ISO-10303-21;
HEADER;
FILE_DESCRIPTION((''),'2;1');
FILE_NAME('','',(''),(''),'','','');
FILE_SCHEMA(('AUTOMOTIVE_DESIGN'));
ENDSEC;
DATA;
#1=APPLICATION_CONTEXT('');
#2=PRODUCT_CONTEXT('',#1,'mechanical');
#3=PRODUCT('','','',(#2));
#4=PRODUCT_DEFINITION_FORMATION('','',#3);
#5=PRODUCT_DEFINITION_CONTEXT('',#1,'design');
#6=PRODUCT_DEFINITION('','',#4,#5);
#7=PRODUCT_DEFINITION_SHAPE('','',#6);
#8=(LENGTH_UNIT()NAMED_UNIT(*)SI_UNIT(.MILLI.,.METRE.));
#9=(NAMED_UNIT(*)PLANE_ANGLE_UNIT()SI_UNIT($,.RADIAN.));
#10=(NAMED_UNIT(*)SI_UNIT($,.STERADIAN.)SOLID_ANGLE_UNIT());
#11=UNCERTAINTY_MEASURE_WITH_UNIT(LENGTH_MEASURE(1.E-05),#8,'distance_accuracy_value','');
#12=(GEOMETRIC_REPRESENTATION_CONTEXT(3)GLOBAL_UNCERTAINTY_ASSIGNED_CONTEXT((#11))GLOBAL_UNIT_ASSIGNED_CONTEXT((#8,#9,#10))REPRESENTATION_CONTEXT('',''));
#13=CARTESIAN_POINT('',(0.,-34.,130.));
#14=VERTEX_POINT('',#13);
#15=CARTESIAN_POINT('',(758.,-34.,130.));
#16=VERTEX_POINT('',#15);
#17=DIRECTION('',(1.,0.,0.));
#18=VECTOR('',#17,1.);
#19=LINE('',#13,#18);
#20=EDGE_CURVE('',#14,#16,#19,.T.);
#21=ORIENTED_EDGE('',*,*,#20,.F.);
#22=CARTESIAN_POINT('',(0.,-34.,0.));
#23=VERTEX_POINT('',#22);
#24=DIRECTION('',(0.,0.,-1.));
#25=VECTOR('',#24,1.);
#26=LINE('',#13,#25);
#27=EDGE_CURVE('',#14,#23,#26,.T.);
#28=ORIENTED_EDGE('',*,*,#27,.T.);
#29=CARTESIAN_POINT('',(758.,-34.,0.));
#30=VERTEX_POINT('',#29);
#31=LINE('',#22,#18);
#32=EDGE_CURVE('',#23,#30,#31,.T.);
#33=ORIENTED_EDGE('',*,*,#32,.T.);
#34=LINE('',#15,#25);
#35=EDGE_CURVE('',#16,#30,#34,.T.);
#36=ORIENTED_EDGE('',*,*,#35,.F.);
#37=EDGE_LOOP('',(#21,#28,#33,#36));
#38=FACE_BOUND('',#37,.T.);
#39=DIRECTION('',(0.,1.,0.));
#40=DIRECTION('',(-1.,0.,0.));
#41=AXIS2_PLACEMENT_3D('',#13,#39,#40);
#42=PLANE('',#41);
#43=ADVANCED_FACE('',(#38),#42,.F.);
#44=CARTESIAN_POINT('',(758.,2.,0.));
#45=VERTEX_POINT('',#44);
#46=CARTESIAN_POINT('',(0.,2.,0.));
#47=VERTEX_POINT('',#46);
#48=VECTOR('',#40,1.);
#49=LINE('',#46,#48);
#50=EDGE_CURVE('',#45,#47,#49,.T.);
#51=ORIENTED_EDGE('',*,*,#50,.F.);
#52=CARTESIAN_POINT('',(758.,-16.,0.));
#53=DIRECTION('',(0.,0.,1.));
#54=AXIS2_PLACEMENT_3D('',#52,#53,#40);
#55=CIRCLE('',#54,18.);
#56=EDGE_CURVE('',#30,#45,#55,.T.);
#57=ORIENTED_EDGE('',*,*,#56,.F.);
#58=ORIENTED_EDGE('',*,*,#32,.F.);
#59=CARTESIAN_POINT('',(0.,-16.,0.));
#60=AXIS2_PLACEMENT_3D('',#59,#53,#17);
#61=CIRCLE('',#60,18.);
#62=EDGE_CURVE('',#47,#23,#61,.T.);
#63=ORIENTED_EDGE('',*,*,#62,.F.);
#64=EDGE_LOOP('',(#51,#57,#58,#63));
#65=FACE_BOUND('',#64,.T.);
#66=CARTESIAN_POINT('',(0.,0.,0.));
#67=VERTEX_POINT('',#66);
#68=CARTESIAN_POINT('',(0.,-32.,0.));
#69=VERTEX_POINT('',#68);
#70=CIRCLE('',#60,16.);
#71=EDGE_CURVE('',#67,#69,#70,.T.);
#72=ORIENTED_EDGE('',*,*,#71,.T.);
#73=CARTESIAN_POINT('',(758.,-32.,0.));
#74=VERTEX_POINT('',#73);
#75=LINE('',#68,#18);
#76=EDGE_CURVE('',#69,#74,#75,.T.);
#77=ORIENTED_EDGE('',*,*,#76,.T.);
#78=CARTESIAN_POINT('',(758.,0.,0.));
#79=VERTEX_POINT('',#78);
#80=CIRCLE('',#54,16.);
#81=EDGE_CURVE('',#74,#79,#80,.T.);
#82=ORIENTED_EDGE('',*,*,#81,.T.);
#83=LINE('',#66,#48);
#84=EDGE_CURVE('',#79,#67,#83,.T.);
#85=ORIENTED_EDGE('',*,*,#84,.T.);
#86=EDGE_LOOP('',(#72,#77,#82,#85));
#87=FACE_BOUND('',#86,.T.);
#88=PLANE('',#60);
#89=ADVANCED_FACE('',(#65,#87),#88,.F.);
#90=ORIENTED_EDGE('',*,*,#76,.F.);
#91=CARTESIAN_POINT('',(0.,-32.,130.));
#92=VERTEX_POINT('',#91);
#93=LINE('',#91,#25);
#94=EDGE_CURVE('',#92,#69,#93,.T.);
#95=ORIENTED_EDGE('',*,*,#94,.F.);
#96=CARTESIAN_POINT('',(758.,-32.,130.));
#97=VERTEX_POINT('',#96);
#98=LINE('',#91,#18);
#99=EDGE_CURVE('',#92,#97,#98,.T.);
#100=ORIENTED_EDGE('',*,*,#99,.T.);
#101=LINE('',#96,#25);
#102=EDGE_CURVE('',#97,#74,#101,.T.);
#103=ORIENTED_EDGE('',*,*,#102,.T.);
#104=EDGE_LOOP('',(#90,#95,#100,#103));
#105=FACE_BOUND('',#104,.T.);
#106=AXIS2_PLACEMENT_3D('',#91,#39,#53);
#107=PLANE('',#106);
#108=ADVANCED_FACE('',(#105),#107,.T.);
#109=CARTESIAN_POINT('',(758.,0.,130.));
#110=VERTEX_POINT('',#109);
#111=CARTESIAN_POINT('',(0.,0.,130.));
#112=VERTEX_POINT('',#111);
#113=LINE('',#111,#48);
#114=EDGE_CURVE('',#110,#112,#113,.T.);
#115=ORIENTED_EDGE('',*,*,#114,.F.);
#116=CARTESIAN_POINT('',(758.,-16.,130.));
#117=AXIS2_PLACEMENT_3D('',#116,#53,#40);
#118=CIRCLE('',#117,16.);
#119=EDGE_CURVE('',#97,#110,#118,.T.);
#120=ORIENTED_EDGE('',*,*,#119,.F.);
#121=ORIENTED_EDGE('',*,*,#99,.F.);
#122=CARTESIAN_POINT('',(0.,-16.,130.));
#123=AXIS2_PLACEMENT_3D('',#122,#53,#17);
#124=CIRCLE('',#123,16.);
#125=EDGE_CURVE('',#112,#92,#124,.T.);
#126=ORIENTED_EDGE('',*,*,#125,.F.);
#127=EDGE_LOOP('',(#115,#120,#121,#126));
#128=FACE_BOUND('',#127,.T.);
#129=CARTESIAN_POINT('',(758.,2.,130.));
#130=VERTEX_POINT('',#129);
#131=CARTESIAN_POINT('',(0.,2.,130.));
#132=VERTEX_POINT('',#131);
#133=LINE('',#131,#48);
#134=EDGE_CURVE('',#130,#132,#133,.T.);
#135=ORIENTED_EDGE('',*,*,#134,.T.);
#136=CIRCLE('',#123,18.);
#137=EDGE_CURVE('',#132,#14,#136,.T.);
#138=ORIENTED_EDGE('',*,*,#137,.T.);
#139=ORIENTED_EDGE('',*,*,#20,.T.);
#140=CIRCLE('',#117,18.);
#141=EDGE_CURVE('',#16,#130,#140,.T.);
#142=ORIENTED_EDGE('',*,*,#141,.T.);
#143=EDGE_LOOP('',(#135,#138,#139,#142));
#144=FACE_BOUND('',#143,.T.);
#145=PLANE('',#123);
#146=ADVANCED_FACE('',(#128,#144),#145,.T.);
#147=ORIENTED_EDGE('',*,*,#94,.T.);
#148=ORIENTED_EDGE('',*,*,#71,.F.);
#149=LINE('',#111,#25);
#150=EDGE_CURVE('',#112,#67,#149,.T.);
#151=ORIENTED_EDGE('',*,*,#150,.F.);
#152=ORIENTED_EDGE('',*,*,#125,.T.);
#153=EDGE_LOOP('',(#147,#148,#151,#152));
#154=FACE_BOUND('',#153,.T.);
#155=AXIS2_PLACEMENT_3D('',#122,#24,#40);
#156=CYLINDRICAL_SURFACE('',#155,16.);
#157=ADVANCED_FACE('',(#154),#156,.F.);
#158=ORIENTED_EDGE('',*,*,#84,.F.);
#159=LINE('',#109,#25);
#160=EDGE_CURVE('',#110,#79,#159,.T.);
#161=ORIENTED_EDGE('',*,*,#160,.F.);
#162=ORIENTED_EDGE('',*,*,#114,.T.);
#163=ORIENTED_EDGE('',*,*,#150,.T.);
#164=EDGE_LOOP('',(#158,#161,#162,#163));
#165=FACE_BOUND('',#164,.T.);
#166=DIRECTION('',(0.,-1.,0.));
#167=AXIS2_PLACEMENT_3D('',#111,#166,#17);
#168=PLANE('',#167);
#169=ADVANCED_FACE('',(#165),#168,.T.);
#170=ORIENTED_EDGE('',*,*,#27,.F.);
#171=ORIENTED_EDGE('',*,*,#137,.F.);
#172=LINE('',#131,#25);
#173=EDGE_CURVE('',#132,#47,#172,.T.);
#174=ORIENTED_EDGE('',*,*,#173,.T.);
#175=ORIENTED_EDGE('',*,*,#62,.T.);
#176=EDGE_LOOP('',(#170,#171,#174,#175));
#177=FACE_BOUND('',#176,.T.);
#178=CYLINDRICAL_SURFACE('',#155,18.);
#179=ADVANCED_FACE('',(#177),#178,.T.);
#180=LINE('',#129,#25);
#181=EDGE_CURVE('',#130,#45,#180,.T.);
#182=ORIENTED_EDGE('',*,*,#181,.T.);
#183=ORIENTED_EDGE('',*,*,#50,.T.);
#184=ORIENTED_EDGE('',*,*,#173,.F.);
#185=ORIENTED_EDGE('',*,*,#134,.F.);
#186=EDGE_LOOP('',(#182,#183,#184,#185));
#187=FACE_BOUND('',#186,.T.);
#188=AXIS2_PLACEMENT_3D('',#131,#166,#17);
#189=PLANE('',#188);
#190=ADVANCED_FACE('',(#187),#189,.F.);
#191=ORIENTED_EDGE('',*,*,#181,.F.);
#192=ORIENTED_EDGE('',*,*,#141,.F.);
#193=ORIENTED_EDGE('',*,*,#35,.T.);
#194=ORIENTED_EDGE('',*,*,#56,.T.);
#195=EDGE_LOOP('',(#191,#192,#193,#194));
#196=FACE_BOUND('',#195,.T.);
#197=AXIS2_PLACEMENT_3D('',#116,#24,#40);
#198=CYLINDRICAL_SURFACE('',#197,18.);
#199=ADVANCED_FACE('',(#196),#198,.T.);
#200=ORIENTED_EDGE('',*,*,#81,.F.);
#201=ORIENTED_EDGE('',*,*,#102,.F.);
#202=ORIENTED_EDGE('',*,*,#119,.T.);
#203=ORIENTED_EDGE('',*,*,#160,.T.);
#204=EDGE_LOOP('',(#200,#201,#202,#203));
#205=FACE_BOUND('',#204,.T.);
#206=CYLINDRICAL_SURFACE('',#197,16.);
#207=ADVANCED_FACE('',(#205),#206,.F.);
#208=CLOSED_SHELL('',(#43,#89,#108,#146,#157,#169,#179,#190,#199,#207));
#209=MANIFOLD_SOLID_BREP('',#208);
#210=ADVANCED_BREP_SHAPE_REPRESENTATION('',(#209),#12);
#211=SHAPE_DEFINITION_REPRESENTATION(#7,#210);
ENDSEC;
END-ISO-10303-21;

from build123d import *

# Parameters (mm, degrees)
SALIENTE_EXTRUIR1_DEPTH = 130


with BuildPart() as part:
    # Croquis1 → Saliente-Extruir1 (new body)
    with BuildSketch(Plane.XY):
        with BuildLine():
            Line((0, 2), (758, 2))
            ThreePointArc((758, 2), (776, -16), (758, -34))
            Line((758, -34), (0, -34))
            ThreePointArc((0, -34), (-18, -16), (0, 2))
        make_face()
        with BuildLine():
            Line((0, 0), (758, 0))
            ThreePointArc((758, 0), (774, -16), (758, -32))
            Line((758, -32), (0, -32))
            ThreePointArc((0, -32), (-16, -16), (0, 0))
        make_face(mode=Mode.SUBTRACT)
    extrude(amount=SALIENTE_EXTRUIR1_DEPTH)


solid = part.part
